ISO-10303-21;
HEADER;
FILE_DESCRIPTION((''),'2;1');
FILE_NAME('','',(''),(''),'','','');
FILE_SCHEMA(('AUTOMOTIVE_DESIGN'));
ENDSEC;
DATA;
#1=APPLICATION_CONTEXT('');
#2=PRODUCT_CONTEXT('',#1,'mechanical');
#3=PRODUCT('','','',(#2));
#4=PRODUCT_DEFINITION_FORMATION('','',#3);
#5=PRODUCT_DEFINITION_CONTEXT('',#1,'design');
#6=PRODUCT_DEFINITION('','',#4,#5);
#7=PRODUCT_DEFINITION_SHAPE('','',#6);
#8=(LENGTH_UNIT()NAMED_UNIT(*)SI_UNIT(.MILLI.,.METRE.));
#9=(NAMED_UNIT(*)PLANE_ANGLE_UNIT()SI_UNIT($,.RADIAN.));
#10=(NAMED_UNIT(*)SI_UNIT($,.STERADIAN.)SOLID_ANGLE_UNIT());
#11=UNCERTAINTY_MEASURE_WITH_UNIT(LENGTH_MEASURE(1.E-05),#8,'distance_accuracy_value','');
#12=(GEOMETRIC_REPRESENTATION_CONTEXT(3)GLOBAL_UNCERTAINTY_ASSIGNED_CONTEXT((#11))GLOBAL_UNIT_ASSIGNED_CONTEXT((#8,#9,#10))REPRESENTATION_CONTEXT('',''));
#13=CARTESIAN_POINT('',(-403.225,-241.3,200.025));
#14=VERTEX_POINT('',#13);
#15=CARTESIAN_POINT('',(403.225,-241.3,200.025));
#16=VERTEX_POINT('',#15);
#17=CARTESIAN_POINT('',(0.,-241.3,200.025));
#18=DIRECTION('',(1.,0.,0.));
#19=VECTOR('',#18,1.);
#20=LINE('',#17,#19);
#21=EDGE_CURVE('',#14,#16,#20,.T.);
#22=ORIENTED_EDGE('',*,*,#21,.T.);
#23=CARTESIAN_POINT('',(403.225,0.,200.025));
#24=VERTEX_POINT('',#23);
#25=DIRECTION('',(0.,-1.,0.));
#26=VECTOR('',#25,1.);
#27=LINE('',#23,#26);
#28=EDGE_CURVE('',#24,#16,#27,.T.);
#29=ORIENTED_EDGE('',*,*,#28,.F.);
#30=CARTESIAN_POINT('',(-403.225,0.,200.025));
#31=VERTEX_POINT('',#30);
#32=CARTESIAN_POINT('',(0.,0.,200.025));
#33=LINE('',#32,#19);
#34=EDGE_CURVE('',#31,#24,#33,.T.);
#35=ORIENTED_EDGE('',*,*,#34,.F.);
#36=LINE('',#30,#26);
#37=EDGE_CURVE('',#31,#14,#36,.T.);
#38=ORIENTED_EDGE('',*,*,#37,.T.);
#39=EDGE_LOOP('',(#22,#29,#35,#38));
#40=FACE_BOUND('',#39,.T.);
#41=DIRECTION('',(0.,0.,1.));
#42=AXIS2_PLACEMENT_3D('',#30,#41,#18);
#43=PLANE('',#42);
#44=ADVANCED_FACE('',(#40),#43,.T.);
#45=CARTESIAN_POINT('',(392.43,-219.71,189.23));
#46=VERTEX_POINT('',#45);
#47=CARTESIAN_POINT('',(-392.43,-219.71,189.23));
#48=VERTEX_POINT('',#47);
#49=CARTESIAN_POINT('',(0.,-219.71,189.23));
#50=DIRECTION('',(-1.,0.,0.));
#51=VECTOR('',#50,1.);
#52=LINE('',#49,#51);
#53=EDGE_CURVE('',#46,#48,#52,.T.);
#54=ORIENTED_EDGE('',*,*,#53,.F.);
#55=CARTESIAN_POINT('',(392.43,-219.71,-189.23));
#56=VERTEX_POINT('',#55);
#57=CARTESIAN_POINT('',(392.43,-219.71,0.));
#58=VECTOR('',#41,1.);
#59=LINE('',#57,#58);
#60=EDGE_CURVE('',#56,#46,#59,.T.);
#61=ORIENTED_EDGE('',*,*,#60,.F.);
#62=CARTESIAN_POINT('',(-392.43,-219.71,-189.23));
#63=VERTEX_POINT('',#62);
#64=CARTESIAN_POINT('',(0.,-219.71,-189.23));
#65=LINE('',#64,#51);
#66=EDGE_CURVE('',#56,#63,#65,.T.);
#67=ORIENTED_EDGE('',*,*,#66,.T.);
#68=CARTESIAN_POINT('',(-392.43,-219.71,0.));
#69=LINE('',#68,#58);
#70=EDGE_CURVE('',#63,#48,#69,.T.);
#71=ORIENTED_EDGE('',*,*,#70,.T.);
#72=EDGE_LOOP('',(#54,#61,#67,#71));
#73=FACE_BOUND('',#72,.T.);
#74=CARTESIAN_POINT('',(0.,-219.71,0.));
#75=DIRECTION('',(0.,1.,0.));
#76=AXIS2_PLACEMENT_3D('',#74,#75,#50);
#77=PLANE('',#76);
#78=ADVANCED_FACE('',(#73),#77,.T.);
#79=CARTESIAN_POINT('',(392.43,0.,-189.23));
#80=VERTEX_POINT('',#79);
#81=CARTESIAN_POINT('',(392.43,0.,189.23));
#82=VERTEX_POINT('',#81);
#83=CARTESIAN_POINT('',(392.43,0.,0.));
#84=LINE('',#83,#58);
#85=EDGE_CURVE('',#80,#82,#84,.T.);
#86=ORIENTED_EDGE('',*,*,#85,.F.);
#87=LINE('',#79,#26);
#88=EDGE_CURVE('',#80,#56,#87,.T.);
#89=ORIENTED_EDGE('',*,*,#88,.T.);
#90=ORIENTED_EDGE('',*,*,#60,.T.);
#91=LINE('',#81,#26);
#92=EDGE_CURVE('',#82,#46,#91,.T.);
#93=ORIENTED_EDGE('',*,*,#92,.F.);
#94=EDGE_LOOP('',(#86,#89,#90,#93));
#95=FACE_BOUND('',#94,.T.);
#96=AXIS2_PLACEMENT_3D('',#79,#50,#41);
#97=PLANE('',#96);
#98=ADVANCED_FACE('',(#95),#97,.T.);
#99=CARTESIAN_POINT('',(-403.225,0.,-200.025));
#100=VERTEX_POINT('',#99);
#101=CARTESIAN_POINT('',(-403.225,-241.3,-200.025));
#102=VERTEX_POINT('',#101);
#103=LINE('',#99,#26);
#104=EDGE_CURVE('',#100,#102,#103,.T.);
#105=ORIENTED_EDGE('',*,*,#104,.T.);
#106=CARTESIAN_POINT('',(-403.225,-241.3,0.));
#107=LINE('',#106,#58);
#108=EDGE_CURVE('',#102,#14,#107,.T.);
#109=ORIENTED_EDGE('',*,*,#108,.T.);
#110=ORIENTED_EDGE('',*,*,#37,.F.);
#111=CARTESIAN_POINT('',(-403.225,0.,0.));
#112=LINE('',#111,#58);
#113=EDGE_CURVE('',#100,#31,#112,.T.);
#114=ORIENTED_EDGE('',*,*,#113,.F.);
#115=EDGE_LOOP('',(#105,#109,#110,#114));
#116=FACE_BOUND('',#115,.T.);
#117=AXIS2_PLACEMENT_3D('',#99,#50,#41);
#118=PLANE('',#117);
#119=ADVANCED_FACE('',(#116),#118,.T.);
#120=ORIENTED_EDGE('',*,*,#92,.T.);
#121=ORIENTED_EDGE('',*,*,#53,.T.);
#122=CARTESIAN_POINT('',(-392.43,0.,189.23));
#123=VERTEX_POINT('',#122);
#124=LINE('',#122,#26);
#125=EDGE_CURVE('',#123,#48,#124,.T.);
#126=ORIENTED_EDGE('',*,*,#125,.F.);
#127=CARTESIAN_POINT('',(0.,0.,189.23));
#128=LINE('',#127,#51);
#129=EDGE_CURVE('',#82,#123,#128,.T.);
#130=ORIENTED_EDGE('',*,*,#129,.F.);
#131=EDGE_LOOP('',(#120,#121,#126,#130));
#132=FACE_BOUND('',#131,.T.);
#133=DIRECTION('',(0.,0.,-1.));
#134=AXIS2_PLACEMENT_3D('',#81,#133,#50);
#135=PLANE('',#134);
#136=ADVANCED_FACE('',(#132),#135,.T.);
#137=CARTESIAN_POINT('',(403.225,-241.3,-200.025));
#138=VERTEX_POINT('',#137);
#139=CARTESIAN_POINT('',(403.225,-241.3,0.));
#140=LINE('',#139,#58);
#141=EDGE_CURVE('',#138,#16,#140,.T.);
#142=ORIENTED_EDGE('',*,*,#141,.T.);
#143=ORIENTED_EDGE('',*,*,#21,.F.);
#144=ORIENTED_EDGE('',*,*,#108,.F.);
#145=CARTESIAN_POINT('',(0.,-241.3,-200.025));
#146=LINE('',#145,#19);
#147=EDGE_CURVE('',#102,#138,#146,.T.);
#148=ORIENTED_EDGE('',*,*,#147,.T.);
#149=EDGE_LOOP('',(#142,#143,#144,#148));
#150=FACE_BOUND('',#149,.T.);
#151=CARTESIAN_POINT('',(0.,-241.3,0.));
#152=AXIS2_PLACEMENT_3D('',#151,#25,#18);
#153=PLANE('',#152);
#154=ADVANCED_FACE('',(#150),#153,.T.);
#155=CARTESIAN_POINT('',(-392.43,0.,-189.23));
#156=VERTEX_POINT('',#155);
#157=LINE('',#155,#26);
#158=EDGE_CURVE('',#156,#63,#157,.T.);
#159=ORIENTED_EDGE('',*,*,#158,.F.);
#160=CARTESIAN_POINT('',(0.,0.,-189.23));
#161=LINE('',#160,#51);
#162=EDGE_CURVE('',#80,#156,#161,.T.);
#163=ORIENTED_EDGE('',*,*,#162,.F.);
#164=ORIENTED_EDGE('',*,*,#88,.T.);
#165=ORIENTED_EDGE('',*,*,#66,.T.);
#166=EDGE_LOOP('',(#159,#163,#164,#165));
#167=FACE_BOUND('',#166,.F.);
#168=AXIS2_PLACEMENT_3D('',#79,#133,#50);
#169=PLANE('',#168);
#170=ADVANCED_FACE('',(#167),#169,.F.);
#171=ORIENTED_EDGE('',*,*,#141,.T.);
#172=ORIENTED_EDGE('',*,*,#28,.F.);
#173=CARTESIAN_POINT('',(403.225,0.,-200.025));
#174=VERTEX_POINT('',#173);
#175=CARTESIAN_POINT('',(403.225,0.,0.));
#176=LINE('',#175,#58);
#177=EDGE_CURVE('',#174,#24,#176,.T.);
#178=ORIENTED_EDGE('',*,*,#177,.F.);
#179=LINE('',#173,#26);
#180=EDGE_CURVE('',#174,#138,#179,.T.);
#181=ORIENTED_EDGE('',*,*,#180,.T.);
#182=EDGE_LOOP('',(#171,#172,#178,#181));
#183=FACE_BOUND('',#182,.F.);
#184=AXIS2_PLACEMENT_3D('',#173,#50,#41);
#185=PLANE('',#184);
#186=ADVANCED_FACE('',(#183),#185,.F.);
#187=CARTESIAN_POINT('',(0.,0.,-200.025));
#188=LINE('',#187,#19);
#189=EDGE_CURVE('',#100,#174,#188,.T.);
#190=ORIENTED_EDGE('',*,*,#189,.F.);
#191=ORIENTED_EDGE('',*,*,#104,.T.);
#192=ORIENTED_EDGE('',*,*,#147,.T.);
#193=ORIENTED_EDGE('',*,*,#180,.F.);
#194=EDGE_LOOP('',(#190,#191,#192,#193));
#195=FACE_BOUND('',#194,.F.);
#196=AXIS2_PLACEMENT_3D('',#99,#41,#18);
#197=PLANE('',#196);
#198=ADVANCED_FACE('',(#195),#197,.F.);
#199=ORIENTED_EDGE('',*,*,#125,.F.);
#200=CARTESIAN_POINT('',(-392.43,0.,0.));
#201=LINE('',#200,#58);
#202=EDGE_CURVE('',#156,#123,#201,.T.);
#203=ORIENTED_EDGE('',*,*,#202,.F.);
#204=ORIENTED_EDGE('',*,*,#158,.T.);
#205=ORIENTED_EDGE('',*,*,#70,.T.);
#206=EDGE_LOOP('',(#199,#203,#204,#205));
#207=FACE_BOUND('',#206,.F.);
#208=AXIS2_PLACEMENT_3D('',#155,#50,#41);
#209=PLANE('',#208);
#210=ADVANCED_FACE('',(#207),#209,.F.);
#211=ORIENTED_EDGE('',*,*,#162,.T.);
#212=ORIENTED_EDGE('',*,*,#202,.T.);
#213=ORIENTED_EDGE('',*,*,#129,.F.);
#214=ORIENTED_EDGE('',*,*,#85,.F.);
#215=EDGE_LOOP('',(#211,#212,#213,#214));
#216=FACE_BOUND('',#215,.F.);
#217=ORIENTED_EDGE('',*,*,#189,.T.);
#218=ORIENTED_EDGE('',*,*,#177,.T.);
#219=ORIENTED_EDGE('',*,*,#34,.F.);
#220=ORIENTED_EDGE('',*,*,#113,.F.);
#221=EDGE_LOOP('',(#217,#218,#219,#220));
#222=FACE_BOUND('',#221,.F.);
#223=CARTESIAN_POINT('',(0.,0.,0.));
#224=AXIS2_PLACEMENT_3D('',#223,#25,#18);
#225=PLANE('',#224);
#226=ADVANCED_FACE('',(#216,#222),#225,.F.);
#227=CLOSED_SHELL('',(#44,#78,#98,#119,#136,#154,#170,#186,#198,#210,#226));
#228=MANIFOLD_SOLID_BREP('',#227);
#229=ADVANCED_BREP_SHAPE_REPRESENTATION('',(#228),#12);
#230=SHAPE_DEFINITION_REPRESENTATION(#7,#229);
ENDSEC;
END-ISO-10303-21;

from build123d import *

# Parameters (mm, degrees)
F0_W     = 806.45
F0_H     = 400.05
F1_DEPTH = 241.3
F2_W     = 784.86
F2_H     = 378.46
F3_DEPTH = 219.71


with BuildPart() as f1:
    # F0 (on Front) → F1 (new body)
    with BuildSketch(Plane.XZ):
        Rectangle(F0_W, F0_H)
    extrude(amount=F1_DEPTH)

    # F2 (on face) → F3 (cut)
    with BuildSketch(Plane(origin=(0, 0, 0), x_dir=(-1, 0, 0), z_dir=(0, 1, 0))):
        Rectangle(F2_W, F2_H)
    extrude(amount=-F3_DEPTH, mode=Mode.SUBTRACT)


solid = f1.part
